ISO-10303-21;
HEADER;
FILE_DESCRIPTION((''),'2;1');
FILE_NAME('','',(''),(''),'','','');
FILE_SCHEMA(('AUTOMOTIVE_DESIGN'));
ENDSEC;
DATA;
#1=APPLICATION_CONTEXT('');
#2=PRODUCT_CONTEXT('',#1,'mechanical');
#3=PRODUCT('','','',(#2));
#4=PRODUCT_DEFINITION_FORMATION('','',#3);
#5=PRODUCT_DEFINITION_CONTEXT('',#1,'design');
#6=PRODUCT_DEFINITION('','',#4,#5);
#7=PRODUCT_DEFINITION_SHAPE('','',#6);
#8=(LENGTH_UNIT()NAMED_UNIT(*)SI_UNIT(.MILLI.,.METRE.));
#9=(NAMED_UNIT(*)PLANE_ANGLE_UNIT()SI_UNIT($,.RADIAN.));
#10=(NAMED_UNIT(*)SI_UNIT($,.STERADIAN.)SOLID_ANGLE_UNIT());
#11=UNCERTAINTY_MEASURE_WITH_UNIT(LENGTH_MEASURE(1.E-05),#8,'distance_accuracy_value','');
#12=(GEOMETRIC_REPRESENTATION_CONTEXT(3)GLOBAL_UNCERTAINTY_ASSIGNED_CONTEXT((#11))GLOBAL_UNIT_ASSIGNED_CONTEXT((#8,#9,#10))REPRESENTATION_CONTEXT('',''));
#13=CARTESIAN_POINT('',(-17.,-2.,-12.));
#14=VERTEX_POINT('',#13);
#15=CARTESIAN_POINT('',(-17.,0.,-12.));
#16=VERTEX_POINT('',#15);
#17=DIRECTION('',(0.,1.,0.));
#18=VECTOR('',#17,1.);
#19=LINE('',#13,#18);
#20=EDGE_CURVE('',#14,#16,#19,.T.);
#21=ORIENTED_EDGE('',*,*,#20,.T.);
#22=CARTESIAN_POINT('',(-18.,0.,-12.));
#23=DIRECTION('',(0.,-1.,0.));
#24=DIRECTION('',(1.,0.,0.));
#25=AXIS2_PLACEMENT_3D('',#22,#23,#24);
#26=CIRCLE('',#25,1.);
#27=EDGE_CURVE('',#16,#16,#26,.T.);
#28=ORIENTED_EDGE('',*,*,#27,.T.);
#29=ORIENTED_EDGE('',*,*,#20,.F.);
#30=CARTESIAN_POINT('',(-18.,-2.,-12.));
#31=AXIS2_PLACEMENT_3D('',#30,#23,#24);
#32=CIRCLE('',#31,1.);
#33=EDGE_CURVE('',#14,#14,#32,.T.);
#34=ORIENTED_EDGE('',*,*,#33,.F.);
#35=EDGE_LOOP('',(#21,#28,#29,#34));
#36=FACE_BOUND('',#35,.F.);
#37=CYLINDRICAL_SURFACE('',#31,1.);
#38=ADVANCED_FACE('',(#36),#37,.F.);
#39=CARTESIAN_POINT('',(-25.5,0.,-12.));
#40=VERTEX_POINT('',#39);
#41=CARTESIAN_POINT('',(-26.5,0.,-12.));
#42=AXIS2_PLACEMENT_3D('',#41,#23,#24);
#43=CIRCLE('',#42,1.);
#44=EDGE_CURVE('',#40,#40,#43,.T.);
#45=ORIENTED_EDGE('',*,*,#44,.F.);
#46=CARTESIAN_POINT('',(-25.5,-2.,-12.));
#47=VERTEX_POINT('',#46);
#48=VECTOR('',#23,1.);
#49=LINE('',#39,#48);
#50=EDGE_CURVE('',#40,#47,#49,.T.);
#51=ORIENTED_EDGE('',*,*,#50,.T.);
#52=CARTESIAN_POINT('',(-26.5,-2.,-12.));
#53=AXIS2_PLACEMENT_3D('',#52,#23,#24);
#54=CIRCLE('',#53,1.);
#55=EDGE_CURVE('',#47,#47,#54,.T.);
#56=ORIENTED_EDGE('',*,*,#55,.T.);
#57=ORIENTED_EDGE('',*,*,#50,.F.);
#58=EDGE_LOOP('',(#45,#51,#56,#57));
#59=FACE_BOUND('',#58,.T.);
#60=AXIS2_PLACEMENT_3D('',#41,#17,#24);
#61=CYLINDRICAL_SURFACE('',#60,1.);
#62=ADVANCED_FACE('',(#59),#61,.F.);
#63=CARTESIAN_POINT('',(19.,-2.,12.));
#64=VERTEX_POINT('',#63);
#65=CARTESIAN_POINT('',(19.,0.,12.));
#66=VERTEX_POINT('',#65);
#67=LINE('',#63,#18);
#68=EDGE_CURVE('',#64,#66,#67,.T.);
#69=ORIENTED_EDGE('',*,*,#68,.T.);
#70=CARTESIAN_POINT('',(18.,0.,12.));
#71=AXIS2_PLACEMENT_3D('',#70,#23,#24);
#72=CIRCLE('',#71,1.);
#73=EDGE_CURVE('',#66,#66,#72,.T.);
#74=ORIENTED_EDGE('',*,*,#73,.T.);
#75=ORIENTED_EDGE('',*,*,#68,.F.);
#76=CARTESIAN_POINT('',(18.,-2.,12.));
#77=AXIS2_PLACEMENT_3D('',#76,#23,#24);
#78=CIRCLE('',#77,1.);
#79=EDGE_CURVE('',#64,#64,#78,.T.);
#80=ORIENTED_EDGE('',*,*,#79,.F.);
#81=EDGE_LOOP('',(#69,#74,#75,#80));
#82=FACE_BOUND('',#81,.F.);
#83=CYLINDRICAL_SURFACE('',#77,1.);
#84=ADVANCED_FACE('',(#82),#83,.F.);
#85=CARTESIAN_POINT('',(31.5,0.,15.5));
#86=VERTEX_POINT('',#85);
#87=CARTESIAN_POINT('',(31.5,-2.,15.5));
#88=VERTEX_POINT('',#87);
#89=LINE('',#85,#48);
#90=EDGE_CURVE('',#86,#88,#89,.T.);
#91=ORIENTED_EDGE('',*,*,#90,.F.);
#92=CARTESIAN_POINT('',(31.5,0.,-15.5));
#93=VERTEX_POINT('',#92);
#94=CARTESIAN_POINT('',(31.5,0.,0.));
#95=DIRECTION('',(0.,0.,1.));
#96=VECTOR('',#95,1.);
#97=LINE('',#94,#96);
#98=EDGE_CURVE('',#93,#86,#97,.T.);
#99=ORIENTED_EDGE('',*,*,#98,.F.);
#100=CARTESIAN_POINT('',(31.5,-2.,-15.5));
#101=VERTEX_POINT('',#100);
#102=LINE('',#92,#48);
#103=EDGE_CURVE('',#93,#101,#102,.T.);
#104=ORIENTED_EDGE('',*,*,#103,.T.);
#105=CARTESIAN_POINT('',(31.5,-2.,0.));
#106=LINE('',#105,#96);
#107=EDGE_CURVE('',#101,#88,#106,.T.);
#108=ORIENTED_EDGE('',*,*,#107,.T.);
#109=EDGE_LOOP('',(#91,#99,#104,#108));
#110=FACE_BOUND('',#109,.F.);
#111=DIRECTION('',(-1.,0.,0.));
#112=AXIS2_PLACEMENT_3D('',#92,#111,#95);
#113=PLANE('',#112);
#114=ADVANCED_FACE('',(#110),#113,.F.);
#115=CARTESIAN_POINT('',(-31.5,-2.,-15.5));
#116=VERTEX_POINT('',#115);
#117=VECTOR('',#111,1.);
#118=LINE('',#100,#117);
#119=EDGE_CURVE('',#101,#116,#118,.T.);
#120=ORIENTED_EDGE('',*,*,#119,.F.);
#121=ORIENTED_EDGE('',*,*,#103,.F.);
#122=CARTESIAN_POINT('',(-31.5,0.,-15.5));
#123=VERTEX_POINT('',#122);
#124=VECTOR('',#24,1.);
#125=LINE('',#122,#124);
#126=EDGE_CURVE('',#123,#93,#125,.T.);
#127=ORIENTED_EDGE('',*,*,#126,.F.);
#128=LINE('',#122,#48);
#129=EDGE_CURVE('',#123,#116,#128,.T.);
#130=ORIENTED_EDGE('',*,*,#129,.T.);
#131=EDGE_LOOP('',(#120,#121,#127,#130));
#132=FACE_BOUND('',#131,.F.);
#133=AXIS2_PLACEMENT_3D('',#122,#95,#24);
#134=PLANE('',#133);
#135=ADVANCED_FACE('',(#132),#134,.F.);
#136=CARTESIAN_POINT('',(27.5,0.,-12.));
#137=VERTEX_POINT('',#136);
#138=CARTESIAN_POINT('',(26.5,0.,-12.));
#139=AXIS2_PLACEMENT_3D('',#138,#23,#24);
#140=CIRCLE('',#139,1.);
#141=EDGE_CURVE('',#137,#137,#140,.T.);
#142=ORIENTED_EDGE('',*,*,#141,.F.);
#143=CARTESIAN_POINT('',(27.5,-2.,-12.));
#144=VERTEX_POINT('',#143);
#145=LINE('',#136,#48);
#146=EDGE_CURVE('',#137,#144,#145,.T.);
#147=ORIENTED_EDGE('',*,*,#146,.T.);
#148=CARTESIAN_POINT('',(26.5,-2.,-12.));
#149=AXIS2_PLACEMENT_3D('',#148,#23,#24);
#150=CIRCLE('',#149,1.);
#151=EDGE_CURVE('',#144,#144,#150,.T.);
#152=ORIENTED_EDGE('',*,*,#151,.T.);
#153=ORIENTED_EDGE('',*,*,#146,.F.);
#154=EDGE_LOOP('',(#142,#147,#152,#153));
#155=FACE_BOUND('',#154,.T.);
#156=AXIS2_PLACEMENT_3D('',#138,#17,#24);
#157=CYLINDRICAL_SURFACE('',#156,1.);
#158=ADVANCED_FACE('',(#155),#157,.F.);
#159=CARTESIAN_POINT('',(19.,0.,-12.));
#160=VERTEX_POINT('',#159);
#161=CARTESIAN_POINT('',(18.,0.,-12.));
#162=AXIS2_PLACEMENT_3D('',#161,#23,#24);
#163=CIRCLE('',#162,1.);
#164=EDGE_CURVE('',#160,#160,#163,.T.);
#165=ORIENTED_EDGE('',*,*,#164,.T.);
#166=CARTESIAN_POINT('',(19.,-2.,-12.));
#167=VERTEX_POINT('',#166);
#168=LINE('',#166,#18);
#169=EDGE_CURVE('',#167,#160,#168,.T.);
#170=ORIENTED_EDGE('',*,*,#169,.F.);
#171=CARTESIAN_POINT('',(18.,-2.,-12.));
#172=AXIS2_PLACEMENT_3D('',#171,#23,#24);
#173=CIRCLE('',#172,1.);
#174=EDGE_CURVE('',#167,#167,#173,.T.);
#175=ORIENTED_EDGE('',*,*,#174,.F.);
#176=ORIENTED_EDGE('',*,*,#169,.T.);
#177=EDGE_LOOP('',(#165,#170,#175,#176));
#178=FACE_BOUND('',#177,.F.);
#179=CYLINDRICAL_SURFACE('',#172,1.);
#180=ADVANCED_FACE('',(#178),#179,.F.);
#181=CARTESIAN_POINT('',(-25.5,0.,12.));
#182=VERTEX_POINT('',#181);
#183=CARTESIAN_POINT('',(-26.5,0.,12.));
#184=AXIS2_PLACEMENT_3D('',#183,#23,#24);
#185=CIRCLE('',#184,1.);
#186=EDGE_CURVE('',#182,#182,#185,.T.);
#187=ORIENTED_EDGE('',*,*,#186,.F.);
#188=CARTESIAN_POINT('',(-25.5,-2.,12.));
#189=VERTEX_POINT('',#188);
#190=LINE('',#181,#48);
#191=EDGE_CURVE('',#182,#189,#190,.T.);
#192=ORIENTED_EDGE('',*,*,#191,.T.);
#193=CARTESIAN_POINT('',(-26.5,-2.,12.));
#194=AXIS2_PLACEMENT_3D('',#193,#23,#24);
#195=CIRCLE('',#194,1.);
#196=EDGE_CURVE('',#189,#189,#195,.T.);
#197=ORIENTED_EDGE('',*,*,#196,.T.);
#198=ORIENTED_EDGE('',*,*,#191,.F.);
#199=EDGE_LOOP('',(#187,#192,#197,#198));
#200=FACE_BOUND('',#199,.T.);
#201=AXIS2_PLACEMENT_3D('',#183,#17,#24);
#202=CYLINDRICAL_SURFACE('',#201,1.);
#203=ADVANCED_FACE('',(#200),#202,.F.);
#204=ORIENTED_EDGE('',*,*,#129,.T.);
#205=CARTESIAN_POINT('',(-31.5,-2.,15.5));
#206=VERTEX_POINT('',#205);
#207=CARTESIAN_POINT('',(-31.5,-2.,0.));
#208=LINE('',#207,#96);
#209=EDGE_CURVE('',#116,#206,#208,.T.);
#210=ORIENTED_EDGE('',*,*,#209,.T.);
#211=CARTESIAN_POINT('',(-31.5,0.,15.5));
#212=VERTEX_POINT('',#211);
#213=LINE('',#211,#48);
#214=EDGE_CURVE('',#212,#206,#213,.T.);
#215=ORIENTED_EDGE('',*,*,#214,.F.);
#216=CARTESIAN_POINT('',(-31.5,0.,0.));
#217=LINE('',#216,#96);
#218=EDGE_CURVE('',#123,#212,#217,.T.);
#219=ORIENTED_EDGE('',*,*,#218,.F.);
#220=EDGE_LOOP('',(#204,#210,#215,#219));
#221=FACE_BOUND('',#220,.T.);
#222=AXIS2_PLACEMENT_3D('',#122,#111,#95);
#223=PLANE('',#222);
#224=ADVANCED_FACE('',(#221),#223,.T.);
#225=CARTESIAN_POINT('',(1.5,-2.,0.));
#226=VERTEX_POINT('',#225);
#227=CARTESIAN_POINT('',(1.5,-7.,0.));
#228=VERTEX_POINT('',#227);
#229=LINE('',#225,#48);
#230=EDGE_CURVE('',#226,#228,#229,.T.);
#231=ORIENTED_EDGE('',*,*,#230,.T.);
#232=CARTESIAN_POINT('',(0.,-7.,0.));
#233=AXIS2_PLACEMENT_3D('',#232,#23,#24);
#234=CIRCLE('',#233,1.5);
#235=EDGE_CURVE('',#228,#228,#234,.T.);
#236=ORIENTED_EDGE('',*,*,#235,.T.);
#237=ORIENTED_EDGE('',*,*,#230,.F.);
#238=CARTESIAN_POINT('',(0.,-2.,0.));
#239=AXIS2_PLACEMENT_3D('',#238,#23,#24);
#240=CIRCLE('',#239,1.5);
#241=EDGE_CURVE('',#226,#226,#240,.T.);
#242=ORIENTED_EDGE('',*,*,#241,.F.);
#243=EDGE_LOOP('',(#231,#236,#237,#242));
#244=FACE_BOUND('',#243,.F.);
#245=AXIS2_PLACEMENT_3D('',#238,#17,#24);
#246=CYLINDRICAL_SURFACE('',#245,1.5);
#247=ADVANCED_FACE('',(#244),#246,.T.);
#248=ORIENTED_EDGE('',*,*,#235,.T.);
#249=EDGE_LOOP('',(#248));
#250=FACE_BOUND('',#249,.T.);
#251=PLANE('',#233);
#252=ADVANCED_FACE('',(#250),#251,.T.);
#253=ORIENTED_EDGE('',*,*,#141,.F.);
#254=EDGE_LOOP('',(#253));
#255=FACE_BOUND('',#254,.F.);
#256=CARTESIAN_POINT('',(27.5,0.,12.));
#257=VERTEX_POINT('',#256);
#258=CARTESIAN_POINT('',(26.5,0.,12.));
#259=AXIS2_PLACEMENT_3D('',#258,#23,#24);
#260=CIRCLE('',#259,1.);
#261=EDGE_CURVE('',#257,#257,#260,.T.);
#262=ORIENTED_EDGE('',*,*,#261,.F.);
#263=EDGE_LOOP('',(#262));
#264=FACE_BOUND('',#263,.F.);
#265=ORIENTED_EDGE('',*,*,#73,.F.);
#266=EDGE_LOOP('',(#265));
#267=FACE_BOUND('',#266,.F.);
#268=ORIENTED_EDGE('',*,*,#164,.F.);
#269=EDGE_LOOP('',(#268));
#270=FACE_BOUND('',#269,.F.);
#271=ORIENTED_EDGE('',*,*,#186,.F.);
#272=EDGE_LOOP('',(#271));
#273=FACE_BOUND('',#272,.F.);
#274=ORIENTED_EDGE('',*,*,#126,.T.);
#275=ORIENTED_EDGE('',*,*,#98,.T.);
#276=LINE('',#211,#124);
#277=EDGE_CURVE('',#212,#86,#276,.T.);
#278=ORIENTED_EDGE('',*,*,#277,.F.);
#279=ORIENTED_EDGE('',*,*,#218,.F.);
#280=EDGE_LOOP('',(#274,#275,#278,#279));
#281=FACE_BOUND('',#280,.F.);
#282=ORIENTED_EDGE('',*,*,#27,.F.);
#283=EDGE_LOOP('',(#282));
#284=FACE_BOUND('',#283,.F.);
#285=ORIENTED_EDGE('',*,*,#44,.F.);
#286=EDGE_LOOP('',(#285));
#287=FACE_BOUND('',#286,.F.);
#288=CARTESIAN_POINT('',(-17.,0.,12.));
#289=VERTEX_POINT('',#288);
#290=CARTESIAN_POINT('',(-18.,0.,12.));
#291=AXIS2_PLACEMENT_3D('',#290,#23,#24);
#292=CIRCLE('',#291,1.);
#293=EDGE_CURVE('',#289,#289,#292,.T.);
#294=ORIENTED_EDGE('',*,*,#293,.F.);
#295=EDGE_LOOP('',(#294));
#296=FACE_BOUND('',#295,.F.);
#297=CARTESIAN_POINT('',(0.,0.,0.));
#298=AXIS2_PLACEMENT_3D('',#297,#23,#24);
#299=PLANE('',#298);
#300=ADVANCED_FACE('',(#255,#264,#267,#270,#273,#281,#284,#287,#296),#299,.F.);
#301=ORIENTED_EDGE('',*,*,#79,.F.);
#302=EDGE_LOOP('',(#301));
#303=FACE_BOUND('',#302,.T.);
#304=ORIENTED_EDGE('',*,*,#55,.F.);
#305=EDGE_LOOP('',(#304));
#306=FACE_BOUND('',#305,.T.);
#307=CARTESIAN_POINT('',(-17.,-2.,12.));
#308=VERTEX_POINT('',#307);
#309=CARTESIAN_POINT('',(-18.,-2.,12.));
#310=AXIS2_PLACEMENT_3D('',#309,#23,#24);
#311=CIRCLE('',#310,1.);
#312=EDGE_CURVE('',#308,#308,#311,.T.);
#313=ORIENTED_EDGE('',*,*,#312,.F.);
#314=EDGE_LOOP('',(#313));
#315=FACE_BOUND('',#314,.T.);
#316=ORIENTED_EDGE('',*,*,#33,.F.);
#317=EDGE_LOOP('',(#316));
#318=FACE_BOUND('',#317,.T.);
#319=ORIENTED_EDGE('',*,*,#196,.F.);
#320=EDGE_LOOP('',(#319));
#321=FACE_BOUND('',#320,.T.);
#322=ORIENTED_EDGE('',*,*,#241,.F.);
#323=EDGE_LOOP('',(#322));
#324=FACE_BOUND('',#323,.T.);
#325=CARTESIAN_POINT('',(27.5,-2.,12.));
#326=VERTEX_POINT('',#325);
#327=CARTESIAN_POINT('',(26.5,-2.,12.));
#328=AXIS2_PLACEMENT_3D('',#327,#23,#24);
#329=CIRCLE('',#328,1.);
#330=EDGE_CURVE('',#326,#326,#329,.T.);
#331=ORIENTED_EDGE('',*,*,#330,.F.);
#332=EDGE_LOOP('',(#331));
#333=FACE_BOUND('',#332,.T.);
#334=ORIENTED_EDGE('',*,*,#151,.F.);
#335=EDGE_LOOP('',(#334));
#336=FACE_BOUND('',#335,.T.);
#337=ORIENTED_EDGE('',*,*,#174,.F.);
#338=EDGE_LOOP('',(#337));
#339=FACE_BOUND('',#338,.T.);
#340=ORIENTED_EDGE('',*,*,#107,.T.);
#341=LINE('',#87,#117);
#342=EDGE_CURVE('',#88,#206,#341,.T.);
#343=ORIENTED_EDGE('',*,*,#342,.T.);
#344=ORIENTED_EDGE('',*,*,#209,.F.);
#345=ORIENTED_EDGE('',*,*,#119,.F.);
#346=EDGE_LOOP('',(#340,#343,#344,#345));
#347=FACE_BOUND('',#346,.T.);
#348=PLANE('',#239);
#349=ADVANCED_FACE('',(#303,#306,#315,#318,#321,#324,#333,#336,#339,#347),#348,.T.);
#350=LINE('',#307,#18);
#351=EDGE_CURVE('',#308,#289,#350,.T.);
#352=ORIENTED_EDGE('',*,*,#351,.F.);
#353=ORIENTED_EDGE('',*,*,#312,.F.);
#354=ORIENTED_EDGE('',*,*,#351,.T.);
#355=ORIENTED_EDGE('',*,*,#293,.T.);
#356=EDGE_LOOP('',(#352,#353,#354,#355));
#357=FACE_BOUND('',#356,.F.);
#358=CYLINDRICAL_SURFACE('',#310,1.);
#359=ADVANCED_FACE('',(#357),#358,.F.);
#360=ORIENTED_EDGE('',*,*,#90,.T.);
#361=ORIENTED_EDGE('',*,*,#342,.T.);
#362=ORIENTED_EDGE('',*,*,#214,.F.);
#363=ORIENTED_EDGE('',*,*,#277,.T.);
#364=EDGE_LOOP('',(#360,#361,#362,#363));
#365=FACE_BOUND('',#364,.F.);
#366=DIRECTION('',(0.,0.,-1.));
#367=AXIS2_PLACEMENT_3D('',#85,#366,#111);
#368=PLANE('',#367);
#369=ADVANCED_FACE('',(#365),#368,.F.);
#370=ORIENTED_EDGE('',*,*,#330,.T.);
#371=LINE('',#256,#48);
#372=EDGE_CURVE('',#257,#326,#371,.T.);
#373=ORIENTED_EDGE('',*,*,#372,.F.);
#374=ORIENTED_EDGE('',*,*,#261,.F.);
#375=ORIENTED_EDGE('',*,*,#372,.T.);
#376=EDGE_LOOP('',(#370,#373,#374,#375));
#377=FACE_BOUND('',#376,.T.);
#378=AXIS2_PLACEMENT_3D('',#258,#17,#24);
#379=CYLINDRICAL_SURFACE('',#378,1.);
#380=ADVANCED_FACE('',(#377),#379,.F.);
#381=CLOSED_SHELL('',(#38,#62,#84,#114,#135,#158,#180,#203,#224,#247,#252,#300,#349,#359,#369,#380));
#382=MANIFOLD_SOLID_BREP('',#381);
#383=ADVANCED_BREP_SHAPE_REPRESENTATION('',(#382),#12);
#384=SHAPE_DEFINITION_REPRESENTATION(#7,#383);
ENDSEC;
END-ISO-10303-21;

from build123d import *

# Parameters (mm, degrees)
F0_W     = 43
F0_H     = 31
F1_DEPTH = 2
F2_R     = 1.5
F3_DEPTH = 5
F4_R     = 1
F5_DEPTH = 2.001
F6_W     = 43
F6_H     = 31
F6_R     = 1
F6_W_2   = 10
F7_DEPTH = 2
F8_DEPTH = 2.001


with BuildPart() as f1:
    # F0 (on Front) → F1 (new body)
    with BuildSketch(Plane.XZ):
        Rectangle(F0_W, F0_H)
    extrude(amount=F1_DEPTH)

    # F2 (on face) → F3 (join)
    with BuildSketch(Plane.XZ.offset(2)):
        Circle(F2_R)
    extrude(amount=F3_DEPTH)

    # F4 (on face) → F5 (cut, through all)
    with BuildSketch(Plane.XZ.offset(2)):
        with Locations((18, 12)):
            Circle(F4_R)
        with Locations((18, -12)):
            Circle(F4_R)
        with Locations((-18, 12)):
            Circle(F4_R)
        with Locations((-18, -12)):
            Circle(F4_R)
    extrude(amount=-F5_DEPTH, mode=Mode.SUBTRACT)

    # F6 (on Front) → F7 (join)
    with BuildSketch(Plane.XZ):
        Rectangle(F6_W, F6_H)
        with Locations((18, 12)):
            Circle(F6_R, mode=Mode.SUBTRACT)
        with Locations((-26.5, 0)):
            Rectangle(F6_W_2, F6_H)
        with Locations((-26.5, -12)):
            Circle(F6_R, mode=Mode.SUBTRACT)
        with Locations((-26.5, 12)):
            Circle(F6_R, mode=Mode.SUBTRACT)
        with Locations((26.5, 0)):
            Rectangle(F6_W_2, F6_H)
        with Locations((26.5, -12)):
            Circle(F6_R, mode=Mode.SUBTRACT)
        with Locations((26.5, 12)):
            Circle(F6_R, mode=Mode.SUBTRACT)
    extrude(amount=F7_DEPTH)

    # F4 (on face) → F8 (cut, through all)
    with BuildSketch(Plane.XZ.offset(2)):
        with Locations((18, 12)):
            Circle(F4_R)
        with Locations((18, -12)):
            Circle(F4_R)
        with Locations((-18, 12)):
            Circle(F4_R)
        with Locations((-18, -12)):
            Circle(F4_R)
    extrude(amount=-F8_DEPTH, mode=Mode.SUBTRACT)


solid = f1.part
